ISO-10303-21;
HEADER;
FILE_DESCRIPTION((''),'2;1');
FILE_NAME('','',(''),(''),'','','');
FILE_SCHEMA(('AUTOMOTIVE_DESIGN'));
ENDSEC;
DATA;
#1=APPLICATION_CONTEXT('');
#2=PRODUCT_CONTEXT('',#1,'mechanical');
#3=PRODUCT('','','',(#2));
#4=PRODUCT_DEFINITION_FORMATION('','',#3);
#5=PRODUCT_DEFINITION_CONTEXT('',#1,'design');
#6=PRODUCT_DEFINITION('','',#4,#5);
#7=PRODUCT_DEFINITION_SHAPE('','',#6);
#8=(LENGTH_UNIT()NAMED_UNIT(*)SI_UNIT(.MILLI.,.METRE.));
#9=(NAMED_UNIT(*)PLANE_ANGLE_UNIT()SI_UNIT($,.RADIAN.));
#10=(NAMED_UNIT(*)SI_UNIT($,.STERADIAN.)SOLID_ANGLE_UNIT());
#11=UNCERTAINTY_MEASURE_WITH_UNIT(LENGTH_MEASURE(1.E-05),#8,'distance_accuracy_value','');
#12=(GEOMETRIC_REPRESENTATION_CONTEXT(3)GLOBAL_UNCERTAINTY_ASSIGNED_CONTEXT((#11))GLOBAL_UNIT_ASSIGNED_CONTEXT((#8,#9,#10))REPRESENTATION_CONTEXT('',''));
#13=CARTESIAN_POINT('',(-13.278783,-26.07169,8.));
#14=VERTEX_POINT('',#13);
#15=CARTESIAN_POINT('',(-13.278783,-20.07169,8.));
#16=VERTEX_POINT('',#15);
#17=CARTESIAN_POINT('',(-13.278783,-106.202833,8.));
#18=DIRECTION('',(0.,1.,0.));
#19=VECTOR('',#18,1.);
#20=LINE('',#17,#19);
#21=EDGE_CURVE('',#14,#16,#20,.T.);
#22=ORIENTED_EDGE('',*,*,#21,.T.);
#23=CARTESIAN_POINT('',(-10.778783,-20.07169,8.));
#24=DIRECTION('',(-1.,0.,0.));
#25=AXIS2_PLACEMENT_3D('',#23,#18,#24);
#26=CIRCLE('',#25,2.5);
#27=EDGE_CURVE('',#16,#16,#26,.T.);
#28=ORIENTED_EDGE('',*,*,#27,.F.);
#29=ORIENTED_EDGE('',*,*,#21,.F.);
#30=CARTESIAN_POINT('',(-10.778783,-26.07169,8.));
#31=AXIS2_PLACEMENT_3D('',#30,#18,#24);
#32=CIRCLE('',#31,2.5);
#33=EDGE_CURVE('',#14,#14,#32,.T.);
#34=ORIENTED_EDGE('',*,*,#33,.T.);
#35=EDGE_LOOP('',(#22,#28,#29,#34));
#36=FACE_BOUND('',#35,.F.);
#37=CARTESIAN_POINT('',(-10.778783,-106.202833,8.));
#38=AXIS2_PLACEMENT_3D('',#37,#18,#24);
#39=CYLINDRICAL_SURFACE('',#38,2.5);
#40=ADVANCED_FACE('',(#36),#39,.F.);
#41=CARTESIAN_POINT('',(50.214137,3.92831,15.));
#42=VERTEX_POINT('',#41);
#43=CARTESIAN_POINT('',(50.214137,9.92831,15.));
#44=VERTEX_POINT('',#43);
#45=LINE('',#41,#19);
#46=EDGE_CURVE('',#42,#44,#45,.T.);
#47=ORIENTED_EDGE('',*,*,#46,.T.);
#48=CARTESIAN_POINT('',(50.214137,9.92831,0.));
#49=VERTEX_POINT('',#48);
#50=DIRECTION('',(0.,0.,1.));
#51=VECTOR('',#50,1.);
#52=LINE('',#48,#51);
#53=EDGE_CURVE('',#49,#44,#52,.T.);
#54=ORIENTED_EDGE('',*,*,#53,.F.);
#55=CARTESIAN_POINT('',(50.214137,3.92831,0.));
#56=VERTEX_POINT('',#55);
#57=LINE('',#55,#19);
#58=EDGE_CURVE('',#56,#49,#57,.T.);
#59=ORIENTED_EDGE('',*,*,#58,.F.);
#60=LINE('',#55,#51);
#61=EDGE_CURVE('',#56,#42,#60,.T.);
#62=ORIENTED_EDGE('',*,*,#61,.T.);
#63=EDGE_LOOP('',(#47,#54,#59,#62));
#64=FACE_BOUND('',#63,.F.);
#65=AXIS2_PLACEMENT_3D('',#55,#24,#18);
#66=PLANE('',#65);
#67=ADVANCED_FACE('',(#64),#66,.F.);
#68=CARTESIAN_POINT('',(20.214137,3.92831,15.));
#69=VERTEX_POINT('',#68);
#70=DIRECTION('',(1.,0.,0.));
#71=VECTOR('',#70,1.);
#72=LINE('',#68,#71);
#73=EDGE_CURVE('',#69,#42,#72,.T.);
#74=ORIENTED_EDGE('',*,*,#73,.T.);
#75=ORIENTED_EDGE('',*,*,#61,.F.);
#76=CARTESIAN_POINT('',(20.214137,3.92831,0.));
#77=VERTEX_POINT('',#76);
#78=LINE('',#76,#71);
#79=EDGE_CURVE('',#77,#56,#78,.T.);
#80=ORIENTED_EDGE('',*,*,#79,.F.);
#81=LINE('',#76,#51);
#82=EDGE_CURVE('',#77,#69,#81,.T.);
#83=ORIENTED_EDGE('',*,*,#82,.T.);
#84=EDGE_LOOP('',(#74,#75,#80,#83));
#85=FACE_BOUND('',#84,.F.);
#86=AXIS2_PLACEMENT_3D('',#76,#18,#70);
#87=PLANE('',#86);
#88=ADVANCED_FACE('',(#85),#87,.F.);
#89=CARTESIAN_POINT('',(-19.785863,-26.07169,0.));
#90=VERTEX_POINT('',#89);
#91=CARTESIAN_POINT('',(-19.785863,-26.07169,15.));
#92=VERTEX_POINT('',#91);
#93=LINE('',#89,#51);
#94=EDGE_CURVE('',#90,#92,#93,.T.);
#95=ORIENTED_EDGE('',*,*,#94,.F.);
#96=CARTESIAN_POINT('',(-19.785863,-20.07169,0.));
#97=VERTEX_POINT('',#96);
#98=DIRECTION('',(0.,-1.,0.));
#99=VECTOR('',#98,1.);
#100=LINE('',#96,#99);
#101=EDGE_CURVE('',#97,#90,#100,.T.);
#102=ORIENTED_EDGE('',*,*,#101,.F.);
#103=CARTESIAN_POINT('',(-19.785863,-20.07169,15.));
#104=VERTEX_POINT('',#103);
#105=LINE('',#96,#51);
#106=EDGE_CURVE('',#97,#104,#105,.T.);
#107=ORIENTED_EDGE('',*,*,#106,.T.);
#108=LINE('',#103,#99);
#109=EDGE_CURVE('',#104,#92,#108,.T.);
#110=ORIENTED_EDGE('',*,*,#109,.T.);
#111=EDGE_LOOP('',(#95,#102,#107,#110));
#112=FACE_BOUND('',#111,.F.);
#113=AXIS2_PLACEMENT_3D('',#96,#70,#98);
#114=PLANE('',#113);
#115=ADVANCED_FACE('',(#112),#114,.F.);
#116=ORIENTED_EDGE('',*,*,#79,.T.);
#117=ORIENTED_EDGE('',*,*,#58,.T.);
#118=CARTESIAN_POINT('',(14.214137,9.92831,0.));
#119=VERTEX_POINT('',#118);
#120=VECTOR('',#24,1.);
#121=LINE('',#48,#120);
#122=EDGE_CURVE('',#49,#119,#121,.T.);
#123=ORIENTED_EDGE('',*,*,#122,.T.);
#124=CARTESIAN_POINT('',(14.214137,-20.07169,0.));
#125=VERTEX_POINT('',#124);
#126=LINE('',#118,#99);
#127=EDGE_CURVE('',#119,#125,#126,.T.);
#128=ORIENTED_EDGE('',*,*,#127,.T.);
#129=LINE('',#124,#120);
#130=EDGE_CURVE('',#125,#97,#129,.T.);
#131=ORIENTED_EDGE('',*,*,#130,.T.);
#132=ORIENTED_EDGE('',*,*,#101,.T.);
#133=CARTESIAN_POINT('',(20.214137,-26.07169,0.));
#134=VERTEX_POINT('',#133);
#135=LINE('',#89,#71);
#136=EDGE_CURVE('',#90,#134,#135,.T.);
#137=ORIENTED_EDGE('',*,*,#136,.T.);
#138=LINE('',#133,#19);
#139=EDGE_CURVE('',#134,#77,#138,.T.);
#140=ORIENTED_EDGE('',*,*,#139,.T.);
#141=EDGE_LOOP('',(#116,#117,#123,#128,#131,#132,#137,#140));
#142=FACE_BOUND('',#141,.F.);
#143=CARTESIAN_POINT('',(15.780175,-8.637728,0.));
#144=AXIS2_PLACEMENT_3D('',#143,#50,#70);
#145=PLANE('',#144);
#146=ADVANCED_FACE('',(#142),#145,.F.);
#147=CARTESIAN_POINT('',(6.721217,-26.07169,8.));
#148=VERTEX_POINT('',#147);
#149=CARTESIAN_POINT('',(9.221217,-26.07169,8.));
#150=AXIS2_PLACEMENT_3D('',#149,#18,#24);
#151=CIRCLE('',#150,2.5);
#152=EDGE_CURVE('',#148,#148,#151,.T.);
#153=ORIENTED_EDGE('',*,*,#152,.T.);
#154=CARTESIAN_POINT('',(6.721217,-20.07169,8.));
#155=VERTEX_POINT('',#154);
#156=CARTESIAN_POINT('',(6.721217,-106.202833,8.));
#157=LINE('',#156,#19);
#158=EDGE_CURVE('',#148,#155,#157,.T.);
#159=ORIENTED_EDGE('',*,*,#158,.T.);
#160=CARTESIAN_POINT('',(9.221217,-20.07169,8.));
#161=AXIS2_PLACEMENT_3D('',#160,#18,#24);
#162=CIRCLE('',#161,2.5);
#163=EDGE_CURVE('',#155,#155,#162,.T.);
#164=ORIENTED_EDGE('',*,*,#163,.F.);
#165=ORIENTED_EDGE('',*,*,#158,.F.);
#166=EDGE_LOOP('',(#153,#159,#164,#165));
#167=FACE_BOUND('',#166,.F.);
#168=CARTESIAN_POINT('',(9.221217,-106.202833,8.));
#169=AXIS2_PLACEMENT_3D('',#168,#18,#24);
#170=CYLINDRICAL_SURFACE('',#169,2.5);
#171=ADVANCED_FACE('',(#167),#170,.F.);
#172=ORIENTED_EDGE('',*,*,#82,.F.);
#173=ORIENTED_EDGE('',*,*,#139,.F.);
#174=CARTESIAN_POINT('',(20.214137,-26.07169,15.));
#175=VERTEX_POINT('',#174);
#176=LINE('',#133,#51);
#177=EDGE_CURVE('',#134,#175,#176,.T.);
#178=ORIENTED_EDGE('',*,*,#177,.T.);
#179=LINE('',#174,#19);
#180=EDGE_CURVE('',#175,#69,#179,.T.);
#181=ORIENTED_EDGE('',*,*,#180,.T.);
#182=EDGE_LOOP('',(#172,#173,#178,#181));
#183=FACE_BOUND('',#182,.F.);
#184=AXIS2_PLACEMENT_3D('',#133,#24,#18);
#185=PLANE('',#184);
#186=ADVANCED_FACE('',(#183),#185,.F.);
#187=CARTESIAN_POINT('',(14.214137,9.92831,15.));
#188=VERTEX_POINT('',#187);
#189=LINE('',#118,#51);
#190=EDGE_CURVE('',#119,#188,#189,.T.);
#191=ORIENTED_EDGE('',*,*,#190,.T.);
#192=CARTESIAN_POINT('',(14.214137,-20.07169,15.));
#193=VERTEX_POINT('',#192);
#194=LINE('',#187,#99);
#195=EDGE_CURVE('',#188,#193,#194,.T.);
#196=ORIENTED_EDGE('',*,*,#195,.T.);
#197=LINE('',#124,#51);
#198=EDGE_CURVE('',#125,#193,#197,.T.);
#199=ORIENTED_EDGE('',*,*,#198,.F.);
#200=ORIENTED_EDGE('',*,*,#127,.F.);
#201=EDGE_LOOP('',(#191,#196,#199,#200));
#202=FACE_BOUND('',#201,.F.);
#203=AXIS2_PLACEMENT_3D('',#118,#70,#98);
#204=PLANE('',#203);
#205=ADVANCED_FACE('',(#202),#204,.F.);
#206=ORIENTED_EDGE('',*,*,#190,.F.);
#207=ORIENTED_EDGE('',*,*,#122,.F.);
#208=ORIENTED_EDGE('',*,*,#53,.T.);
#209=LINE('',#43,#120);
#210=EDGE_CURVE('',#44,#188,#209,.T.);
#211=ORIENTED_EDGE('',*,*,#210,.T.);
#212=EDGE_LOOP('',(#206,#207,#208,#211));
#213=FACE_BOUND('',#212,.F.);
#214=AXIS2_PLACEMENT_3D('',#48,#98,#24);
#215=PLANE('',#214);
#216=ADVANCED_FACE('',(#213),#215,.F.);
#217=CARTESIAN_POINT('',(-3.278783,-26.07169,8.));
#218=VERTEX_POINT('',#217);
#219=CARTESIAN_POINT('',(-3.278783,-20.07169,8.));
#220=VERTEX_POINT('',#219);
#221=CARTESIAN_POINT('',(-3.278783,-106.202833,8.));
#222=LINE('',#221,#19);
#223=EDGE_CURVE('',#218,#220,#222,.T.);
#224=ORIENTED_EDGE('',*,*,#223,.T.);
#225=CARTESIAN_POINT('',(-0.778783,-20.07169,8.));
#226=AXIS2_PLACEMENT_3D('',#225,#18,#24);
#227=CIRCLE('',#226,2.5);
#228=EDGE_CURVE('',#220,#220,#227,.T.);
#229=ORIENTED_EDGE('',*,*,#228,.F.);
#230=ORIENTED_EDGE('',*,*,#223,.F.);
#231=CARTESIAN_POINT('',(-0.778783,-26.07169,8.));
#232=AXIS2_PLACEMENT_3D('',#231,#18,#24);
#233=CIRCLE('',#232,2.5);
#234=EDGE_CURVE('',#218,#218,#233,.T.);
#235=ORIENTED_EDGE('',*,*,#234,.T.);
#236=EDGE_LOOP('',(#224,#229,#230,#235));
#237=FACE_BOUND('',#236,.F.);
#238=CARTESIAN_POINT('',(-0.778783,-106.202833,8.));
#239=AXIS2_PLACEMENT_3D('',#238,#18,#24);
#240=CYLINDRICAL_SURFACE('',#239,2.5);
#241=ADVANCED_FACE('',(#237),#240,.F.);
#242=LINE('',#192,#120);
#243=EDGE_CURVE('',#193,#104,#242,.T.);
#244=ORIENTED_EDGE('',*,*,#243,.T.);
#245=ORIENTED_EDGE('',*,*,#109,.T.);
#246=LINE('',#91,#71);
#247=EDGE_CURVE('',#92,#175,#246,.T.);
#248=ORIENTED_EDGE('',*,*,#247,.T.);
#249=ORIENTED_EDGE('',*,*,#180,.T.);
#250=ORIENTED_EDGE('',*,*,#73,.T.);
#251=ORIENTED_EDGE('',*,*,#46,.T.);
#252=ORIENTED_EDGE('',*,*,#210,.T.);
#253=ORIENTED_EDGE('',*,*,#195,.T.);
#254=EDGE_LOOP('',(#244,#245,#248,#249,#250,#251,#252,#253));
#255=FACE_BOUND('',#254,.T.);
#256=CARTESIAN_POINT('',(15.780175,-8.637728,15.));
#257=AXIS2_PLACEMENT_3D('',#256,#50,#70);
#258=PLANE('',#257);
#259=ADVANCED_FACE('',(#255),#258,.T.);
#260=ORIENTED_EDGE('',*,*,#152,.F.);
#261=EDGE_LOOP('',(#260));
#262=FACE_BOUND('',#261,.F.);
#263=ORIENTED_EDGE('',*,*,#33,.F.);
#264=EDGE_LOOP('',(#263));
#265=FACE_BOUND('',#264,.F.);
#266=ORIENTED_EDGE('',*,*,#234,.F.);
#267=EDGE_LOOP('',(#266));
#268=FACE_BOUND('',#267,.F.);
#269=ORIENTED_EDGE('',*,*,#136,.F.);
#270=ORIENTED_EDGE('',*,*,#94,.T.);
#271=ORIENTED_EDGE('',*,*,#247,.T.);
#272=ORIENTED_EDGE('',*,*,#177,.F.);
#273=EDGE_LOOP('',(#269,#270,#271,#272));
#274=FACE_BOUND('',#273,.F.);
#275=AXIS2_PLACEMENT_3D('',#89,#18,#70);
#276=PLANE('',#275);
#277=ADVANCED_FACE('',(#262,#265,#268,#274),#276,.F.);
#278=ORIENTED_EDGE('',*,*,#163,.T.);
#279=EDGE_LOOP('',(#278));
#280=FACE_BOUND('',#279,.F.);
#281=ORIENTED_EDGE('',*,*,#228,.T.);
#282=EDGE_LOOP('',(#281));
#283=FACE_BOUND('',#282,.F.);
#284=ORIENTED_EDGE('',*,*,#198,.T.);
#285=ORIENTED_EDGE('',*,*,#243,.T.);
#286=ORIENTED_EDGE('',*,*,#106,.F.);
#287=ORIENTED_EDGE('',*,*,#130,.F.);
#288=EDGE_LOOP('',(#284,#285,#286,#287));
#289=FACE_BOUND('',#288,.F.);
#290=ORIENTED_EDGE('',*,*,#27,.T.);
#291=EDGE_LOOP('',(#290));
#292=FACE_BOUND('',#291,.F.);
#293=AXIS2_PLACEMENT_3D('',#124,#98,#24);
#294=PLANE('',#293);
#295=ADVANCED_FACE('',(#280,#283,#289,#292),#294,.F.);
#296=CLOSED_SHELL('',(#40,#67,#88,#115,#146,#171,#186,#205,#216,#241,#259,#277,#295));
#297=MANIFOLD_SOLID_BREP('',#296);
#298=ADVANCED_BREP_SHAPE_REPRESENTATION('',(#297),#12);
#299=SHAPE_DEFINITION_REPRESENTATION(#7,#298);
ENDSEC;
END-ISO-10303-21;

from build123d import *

# Parameters (mm, degrees)
F1_DEPTH = 15
F3_D     = 5


with BuildPart() as f1:
    # F0 (on Top) → F1 (new body)
    with BuildSketch(Plane.XY):
        Polygon((14.214137, -20.07169), (-19.785863, -20.07169), (-19.785863, -26.07169), (20.214137, -26.07169), (20.214137, 3.92831), (50.214137, 3.92831), (50.214137, 9.92831), (14.214137, 9.92831), align=None)
    extrude(amount=F1_DEPTH)

    # F3 (through all)
    with Locations(Plane.XZ.offset(26.07169)):
        with Locations((9.221217, 8), (-0.778783, 8), (-10.778783, 8)):
            Hole(F3_D / 2)


solid = f1.part
